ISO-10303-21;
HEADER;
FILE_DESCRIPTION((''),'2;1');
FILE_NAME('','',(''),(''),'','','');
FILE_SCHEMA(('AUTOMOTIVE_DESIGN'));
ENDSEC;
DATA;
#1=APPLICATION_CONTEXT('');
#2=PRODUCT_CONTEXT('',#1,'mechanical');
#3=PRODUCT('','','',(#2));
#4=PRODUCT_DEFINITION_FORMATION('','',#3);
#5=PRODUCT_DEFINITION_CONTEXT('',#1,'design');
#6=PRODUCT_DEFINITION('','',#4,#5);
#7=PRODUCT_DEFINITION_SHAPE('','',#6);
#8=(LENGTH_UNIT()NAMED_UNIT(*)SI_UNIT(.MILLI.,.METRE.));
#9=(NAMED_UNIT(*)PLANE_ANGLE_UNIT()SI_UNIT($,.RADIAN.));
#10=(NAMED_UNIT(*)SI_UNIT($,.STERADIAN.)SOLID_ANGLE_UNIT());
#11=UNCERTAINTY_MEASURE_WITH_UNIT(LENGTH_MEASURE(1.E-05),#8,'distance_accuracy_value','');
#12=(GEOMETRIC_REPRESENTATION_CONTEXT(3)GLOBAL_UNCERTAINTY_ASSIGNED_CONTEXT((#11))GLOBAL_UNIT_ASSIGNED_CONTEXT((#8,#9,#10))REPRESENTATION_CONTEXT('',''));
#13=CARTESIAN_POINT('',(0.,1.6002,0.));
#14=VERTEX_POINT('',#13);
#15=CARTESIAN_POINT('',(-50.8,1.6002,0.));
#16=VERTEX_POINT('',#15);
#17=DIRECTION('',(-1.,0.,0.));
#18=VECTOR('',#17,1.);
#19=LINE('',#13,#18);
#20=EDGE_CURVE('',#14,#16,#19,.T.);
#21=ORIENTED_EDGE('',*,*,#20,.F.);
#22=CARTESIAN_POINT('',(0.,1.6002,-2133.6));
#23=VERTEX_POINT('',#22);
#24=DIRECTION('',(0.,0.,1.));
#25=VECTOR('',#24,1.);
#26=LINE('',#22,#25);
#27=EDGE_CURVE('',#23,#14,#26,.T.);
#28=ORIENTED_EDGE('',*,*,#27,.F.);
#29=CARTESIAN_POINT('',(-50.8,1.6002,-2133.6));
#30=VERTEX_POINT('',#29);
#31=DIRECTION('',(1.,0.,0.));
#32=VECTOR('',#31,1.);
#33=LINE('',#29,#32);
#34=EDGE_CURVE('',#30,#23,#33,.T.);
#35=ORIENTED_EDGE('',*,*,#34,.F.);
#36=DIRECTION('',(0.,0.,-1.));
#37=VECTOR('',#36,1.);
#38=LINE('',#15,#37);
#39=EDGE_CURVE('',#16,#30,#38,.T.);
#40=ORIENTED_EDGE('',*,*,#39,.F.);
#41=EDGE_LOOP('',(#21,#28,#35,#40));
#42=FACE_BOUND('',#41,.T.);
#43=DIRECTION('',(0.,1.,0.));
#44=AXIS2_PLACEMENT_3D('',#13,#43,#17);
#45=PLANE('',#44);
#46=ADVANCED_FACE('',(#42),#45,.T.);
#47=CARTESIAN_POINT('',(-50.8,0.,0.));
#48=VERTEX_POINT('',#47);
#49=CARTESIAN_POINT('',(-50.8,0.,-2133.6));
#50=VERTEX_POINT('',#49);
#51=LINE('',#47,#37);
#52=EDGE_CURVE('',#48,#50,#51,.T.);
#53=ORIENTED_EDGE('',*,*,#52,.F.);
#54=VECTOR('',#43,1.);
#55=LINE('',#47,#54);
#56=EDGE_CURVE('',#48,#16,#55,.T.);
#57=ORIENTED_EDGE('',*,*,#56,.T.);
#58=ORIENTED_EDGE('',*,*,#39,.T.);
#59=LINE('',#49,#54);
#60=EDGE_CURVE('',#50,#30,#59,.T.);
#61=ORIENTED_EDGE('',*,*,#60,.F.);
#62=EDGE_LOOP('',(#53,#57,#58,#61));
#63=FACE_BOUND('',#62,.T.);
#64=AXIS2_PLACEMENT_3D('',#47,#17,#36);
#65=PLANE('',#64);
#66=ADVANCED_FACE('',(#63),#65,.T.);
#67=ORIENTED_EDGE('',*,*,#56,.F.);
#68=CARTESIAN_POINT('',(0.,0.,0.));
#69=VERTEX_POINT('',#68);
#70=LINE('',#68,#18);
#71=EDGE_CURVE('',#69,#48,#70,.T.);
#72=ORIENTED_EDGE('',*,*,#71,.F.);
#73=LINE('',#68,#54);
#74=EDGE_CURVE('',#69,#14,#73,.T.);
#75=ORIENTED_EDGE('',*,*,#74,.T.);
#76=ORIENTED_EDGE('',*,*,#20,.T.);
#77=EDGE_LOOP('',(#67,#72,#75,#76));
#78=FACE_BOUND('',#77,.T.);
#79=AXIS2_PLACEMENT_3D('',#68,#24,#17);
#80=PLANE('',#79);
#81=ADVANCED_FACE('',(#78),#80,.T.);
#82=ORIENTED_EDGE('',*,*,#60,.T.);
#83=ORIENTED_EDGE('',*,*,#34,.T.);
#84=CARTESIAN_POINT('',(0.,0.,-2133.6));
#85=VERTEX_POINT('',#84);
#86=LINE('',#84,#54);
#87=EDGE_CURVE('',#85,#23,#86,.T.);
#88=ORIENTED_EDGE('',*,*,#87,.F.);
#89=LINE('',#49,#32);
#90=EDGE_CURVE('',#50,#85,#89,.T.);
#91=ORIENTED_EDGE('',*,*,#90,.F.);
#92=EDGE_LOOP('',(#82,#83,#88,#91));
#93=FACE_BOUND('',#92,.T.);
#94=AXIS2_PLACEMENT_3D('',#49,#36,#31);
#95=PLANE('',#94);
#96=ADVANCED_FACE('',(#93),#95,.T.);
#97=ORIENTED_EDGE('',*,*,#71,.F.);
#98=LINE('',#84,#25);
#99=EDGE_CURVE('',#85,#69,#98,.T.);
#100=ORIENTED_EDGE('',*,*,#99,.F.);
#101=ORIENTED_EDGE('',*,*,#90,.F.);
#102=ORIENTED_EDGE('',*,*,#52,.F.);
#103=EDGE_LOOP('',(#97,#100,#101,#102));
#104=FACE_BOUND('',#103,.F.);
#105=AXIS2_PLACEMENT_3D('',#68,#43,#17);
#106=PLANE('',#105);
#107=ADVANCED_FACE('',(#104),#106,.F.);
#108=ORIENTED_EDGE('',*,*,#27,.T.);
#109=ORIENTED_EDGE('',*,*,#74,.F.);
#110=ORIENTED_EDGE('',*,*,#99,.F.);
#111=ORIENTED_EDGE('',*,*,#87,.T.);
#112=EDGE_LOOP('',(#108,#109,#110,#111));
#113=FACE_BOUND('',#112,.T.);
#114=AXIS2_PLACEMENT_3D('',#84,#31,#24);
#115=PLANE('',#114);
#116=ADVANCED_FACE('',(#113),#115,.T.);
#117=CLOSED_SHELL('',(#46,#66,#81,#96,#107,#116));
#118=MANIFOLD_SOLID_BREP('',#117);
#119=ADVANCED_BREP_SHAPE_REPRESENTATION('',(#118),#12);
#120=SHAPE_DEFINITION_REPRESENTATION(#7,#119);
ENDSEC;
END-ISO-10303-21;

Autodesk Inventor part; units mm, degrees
ref_plane "YZ Plane" through (0, 0, 0) normal (1, 0, 0) x (0, 1, 0)
ref_plane "XZ Plane" through (0, 0, 0) normal (0, 1, 0) x (-1, 0, 0)
ref_plane "XY Plane" through (0, 0, 0) normal (0, 0, 1) x (1, 0, 0)
sketch "Sketch1" plane through (0, 0, 0) normal (0, 1, 0) x (-1, 0, 0)
  line L0 (0, 0) -> (50.8, 0)
  line L1 (50.8, 0) -> (50.8, -2133.6)
  line L2 (50.8, -2133.6) -> (0, -2133.6)
  line L3 (0, -2133.6) -> (0, 0)
  dimension "d0" = 50.8
  dimension "d1" = 2133.6
extrude "Extrusion1" add sketch "Sketch1" along normal blind 1.6002
properties part number "MidSquareBlue1"
